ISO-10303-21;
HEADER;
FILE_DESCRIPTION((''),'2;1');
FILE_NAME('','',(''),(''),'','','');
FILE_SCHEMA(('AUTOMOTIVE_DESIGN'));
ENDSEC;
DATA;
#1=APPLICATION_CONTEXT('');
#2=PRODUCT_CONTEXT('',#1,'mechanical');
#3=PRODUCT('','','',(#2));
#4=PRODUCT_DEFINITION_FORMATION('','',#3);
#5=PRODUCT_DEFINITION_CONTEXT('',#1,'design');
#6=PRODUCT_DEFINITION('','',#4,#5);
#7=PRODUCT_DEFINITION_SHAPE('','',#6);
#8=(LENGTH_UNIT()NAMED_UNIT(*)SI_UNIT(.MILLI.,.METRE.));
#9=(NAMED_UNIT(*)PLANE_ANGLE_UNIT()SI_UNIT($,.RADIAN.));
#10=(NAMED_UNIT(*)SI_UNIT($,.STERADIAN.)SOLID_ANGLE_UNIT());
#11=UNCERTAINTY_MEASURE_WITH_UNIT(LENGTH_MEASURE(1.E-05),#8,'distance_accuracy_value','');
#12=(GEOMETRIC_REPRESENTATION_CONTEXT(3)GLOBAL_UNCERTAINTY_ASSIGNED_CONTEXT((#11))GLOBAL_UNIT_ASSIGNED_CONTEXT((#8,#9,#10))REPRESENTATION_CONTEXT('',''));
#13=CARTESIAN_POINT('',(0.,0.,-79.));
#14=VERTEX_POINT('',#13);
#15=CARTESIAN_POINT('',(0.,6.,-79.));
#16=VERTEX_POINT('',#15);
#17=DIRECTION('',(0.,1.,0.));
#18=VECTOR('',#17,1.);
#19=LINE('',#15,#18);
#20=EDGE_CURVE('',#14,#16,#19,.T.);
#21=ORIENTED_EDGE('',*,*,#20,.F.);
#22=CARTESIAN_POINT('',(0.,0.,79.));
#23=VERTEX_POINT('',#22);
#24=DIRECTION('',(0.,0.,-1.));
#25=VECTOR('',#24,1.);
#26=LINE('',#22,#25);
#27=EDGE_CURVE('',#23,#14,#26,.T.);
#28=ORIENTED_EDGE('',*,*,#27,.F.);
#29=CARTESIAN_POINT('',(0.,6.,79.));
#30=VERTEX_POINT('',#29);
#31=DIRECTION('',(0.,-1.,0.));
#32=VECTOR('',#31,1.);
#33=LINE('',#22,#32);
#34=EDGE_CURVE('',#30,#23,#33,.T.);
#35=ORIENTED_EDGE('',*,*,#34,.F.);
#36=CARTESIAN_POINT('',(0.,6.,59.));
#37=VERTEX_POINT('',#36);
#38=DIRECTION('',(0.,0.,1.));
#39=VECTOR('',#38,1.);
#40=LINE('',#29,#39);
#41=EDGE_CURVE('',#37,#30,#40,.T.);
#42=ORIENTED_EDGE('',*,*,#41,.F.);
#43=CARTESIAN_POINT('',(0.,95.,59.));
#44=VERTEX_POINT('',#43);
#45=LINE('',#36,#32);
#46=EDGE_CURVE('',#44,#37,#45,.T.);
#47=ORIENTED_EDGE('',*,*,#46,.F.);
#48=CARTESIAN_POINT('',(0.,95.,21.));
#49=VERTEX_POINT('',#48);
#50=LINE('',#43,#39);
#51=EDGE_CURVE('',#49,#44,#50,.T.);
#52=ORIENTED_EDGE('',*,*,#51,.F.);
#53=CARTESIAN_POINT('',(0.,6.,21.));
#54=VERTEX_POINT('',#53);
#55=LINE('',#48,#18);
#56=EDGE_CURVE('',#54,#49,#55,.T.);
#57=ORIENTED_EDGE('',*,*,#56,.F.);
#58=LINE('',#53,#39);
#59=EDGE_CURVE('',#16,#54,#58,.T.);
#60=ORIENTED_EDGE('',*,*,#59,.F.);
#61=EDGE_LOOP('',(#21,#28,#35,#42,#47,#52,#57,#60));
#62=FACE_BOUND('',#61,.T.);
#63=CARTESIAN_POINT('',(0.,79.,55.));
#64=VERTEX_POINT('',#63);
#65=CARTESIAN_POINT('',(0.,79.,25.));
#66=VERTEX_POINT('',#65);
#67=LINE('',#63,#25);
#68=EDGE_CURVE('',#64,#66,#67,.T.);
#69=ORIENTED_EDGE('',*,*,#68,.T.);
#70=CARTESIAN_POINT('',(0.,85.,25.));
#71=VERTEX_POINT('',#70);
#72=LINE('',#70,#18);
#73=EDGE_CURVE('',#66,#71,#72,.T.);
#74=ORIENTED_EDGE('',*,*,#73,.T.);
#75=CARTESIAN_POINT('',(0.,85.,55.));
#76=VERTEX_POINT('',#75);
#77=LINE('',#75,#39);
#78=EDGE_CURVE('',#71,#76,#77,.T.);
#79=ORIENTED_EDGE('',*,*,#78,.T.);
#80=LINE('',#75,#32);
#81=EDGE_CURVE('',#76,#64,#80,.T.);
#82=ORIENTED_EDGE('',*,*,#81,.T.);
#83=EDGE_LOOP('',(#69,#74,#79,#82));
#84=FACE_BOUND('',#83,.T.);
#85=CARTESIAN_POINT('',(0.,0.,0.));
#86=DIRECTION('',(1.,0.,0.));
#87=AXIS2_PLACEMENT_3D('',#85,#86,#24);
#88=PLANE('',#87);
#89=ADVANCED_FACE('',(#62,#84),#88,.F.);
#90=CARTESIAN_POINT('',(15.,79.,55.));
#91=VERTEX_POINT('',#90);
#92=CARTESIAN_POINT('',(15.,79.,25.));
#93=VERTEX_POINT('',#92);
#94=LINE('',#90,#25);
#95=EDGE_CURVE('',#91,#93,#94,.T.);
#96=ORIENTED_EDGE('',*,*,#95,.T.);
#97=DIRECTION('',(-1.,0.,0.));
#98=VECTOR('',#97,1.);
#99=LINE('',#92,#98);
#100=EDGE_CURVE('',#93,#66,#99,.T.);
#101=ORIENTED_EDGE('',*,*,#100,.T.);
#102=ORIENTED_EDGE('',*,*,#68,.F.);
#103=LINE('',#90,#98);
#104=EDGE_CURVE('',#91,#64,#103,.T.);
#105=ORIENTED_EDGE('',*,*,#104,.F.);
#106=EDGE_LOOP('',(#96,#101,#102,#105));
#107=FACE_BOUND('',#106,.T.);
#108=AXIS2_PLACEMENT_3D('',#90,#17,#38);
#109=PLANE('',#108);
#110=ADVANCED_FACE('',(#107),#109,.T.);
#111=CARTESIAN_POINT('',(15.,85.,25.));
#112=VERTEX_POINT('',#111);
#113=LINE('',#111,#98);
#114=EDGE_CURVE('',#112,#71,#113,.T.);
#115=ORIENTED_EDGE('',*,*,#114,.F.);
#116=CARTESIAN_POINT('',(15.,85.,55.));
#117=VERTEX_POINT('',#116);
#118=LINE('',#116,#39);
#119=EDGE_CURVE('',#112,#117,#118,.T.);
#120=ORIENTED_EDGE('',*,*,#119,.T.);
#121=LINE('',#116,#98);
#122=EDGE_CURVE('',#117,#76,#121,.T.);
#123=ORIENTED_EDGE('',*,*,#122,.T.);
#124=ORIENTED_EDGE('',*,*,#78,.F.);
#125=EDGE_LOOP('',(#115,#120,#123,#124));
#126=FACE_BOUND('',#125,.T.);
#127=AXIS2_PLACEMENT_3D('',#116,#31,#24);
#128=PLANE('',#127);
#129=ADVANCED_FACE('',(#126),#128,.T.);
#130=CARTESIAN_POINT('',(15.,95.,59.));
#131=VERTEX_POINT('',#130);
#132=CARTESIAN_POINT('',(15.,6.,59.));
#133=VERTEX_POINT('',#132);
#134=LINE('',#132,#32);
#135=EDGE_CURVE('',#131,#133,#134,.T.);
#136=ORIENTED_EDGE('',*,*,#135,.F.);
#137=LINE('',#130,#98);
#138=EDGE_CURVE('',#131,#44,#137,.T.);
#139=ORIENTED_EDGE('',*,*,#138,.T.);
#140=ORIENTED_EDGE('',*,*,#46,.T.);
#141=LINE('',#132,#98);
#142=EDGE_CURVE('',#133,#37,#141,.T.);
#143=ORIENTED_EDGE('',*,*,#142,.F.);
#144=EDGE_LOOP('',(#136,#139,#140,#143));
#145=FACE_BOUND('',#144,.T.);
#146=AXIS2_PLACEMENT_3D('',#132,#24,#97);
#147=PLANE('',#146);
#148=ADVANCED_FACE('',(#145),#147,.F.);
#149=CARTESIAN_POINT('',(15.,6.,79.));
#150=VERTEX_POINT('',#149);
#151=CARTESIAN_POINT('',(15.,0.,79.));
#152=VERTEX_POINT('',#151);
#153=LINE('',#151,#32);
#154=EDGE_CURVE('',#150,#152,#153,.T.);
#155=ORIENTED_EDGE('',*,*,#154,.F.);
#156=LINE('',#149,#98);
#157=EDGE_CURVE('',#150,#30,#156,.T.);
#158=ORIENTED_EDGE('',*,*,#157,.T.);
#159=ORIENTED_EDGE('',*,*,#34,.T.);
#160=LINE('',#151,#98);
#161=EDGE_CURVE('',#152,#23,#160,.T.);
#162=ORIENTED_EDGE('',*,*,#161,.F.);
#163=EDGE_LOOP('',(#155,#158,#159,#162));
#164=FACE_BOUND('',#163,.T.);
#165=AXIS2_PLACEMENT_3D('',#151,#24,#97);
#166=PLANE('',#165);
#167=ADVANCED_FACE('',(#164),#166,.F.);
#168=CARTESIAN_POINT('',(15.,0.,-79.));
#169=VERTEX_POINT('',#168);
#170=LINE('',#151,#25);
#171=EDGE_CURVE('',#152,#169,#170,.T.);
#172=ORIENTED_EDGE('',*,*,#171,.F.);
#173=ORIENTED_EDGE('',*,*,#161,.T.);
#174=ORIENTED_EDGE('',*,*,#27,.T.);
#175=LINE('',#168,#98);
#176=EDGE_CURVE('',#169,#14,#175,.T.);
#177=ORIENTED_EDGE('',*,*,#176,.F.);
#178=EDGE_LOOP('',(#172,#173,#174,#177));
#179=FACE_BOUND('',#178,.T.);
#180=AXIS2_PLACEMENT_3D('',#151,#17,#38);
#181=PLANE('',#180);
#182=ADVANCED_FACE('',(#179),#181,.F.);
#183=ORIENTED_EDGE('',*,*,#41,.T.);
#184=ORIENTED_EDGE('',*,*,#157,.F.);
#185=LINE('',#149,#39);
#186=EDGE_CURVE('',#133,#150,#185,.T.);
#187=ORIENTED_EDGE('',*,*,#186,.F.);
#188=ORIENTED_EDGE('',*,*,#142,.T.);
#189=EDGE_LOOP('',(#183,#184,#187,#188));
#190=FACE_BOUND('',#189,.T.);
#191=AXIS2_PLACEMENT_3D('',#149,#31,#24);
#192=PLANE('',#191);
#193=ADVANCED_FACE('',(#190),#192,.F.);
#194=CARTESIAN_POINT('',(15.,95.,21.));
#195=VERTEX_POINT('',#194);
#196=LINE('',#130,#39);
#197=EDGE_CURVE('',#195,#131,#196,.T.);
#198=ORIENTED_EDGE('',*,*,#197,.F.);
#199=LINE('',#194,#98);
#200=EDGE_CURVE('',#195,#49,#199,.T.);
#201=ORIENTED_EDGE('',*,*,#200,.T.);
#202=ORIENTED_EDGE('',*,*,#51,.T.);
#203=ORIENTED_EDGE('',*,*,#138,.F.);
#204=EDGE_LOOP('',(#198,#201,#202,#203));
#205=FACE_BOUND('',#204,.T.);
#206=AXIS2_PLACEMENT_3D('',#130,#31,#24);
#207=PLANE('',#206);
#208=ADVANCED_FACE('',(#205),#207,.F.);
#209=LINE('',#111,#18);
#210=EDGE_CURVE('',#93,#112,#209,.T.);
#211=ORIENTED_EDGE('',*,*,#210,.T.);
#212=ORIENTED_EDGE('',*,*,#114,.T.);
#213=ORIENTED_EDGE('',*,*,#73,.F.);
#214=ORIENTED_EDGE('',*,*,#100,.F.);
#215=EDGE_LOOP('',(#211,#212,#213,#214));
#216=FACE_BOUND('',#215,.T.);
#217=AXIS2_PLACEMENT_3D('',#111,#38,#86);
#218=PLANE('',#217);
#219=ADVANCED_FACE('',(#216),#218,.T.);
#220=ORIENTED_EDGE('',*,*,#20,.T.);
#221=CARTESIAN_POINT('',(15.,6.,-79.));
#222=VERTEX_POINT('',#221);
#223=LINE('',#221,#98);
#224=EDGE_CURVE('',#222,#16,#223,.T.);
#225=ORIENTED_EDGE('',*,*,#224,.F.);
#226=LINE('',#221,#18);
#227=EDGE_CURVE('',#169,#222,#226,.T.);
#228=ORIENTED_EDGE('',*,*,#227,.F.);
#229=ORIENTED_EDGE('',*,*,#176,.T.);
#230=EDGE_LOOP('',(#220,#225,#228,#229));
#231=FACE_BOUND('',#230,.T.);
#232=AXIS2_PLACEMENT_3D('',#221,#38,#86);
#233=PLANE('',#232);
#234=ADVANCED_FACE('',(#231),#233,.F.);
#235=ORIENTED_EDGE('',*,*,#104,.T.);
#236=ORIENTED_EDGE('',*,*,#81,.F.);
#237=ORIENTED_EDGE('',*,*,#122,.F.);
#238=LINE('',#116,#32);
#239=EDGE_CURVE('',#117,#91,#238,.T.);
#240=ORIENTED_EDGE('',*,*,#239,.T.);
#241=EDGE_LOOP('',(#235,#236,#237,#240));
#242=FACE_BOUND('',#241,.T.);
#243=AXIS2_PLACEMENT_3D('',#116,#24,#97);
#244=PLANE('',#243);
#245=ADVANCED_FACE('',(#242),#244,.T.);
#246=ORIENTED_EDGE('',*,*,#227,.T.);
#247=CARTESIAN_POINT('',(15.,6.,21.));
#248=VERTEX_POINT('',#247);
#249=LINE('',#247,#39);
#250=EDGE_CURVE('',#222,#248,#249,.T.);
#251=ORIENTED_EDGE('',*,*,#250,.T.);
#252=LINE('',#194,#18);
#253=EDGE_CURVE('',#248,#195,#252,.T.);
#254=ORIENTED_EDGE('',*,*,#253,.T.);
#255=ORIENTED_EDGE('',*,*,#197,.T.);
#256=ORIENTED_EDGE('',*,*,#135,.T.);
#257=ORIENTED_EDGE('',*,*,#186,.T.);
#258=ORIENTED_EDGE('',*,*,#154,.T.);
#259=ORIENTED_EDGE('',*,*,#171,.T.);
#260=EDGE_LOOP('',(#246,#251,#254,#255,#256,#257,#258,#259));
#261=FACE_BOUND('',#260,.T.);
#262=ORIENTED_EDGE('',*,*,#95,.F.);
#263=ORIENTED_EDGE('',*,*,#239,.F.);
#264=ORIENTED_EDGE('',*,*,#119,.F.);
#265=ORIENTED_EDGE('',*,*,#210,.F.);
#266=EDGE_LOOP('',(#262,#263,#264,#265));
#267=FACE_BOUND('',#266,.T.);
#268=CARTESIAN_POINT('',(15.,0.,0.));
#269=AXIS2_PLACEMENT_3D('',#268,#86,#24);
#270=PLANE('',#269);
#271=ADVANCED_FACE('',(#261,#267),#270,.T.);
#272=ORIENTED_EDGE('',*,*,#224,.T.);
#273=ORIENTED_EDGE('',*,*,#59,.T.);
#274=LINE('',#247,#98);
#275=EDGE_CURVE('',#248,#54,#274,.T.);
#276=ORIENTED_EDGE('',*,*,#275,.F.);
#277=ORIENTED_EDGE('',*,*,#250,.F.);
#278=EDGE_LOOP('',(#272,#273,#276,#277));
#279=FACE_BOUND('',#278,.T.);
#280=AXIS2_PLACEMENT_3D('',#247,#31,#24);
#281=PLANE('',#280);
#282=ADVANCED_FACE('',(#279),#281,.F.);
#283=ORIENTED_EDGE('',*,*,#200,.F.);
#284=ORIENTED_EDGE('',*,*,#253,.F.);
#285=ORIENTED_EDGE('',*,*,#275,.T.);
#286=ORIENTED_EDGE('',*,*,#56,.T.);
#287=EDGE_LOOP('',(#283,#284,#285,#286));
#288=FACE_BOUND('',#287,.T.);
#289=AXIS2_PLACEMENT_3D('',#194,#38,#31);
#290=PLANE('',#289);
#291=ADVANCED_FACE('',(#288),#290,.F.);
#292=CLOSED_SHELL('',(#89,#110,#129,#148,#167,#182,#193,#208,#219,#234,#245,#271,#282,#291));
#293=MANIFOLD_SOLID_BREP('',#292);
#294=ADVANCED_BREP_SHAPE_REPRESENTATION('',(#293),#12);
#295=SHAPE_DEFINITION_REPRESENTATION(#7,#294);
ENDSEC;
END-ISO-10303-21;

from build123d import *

# Parameters (mm, degrees)
SKETCH1_W           = 30
SKETCH1_H           = 6
BOSS_EXTRUDE1_DEPTH = 15


with BuildPart() as part:
    # Sketch1 → Boss-Extrude1 (new body)
    with BuildSketch(Plane(origin=(0, 0, 0), x_dir=(0, 0, -1), z_dir=(1, 0, 0))):
        Polygon((-79, 0), (79, 0), (79, 6), (-21, 6), (-21, 95), (-59, 95), (-59, 6), (-79, 6), align=None)
        with Locations((-40, 82)):
            Rectangle(SKETCH1_W, SKETCH1_H, mode=Mode.SUBTRACT)
    extrude(amount=BOSS_EXTRUDE1_DEPTH)


solid = part.part
